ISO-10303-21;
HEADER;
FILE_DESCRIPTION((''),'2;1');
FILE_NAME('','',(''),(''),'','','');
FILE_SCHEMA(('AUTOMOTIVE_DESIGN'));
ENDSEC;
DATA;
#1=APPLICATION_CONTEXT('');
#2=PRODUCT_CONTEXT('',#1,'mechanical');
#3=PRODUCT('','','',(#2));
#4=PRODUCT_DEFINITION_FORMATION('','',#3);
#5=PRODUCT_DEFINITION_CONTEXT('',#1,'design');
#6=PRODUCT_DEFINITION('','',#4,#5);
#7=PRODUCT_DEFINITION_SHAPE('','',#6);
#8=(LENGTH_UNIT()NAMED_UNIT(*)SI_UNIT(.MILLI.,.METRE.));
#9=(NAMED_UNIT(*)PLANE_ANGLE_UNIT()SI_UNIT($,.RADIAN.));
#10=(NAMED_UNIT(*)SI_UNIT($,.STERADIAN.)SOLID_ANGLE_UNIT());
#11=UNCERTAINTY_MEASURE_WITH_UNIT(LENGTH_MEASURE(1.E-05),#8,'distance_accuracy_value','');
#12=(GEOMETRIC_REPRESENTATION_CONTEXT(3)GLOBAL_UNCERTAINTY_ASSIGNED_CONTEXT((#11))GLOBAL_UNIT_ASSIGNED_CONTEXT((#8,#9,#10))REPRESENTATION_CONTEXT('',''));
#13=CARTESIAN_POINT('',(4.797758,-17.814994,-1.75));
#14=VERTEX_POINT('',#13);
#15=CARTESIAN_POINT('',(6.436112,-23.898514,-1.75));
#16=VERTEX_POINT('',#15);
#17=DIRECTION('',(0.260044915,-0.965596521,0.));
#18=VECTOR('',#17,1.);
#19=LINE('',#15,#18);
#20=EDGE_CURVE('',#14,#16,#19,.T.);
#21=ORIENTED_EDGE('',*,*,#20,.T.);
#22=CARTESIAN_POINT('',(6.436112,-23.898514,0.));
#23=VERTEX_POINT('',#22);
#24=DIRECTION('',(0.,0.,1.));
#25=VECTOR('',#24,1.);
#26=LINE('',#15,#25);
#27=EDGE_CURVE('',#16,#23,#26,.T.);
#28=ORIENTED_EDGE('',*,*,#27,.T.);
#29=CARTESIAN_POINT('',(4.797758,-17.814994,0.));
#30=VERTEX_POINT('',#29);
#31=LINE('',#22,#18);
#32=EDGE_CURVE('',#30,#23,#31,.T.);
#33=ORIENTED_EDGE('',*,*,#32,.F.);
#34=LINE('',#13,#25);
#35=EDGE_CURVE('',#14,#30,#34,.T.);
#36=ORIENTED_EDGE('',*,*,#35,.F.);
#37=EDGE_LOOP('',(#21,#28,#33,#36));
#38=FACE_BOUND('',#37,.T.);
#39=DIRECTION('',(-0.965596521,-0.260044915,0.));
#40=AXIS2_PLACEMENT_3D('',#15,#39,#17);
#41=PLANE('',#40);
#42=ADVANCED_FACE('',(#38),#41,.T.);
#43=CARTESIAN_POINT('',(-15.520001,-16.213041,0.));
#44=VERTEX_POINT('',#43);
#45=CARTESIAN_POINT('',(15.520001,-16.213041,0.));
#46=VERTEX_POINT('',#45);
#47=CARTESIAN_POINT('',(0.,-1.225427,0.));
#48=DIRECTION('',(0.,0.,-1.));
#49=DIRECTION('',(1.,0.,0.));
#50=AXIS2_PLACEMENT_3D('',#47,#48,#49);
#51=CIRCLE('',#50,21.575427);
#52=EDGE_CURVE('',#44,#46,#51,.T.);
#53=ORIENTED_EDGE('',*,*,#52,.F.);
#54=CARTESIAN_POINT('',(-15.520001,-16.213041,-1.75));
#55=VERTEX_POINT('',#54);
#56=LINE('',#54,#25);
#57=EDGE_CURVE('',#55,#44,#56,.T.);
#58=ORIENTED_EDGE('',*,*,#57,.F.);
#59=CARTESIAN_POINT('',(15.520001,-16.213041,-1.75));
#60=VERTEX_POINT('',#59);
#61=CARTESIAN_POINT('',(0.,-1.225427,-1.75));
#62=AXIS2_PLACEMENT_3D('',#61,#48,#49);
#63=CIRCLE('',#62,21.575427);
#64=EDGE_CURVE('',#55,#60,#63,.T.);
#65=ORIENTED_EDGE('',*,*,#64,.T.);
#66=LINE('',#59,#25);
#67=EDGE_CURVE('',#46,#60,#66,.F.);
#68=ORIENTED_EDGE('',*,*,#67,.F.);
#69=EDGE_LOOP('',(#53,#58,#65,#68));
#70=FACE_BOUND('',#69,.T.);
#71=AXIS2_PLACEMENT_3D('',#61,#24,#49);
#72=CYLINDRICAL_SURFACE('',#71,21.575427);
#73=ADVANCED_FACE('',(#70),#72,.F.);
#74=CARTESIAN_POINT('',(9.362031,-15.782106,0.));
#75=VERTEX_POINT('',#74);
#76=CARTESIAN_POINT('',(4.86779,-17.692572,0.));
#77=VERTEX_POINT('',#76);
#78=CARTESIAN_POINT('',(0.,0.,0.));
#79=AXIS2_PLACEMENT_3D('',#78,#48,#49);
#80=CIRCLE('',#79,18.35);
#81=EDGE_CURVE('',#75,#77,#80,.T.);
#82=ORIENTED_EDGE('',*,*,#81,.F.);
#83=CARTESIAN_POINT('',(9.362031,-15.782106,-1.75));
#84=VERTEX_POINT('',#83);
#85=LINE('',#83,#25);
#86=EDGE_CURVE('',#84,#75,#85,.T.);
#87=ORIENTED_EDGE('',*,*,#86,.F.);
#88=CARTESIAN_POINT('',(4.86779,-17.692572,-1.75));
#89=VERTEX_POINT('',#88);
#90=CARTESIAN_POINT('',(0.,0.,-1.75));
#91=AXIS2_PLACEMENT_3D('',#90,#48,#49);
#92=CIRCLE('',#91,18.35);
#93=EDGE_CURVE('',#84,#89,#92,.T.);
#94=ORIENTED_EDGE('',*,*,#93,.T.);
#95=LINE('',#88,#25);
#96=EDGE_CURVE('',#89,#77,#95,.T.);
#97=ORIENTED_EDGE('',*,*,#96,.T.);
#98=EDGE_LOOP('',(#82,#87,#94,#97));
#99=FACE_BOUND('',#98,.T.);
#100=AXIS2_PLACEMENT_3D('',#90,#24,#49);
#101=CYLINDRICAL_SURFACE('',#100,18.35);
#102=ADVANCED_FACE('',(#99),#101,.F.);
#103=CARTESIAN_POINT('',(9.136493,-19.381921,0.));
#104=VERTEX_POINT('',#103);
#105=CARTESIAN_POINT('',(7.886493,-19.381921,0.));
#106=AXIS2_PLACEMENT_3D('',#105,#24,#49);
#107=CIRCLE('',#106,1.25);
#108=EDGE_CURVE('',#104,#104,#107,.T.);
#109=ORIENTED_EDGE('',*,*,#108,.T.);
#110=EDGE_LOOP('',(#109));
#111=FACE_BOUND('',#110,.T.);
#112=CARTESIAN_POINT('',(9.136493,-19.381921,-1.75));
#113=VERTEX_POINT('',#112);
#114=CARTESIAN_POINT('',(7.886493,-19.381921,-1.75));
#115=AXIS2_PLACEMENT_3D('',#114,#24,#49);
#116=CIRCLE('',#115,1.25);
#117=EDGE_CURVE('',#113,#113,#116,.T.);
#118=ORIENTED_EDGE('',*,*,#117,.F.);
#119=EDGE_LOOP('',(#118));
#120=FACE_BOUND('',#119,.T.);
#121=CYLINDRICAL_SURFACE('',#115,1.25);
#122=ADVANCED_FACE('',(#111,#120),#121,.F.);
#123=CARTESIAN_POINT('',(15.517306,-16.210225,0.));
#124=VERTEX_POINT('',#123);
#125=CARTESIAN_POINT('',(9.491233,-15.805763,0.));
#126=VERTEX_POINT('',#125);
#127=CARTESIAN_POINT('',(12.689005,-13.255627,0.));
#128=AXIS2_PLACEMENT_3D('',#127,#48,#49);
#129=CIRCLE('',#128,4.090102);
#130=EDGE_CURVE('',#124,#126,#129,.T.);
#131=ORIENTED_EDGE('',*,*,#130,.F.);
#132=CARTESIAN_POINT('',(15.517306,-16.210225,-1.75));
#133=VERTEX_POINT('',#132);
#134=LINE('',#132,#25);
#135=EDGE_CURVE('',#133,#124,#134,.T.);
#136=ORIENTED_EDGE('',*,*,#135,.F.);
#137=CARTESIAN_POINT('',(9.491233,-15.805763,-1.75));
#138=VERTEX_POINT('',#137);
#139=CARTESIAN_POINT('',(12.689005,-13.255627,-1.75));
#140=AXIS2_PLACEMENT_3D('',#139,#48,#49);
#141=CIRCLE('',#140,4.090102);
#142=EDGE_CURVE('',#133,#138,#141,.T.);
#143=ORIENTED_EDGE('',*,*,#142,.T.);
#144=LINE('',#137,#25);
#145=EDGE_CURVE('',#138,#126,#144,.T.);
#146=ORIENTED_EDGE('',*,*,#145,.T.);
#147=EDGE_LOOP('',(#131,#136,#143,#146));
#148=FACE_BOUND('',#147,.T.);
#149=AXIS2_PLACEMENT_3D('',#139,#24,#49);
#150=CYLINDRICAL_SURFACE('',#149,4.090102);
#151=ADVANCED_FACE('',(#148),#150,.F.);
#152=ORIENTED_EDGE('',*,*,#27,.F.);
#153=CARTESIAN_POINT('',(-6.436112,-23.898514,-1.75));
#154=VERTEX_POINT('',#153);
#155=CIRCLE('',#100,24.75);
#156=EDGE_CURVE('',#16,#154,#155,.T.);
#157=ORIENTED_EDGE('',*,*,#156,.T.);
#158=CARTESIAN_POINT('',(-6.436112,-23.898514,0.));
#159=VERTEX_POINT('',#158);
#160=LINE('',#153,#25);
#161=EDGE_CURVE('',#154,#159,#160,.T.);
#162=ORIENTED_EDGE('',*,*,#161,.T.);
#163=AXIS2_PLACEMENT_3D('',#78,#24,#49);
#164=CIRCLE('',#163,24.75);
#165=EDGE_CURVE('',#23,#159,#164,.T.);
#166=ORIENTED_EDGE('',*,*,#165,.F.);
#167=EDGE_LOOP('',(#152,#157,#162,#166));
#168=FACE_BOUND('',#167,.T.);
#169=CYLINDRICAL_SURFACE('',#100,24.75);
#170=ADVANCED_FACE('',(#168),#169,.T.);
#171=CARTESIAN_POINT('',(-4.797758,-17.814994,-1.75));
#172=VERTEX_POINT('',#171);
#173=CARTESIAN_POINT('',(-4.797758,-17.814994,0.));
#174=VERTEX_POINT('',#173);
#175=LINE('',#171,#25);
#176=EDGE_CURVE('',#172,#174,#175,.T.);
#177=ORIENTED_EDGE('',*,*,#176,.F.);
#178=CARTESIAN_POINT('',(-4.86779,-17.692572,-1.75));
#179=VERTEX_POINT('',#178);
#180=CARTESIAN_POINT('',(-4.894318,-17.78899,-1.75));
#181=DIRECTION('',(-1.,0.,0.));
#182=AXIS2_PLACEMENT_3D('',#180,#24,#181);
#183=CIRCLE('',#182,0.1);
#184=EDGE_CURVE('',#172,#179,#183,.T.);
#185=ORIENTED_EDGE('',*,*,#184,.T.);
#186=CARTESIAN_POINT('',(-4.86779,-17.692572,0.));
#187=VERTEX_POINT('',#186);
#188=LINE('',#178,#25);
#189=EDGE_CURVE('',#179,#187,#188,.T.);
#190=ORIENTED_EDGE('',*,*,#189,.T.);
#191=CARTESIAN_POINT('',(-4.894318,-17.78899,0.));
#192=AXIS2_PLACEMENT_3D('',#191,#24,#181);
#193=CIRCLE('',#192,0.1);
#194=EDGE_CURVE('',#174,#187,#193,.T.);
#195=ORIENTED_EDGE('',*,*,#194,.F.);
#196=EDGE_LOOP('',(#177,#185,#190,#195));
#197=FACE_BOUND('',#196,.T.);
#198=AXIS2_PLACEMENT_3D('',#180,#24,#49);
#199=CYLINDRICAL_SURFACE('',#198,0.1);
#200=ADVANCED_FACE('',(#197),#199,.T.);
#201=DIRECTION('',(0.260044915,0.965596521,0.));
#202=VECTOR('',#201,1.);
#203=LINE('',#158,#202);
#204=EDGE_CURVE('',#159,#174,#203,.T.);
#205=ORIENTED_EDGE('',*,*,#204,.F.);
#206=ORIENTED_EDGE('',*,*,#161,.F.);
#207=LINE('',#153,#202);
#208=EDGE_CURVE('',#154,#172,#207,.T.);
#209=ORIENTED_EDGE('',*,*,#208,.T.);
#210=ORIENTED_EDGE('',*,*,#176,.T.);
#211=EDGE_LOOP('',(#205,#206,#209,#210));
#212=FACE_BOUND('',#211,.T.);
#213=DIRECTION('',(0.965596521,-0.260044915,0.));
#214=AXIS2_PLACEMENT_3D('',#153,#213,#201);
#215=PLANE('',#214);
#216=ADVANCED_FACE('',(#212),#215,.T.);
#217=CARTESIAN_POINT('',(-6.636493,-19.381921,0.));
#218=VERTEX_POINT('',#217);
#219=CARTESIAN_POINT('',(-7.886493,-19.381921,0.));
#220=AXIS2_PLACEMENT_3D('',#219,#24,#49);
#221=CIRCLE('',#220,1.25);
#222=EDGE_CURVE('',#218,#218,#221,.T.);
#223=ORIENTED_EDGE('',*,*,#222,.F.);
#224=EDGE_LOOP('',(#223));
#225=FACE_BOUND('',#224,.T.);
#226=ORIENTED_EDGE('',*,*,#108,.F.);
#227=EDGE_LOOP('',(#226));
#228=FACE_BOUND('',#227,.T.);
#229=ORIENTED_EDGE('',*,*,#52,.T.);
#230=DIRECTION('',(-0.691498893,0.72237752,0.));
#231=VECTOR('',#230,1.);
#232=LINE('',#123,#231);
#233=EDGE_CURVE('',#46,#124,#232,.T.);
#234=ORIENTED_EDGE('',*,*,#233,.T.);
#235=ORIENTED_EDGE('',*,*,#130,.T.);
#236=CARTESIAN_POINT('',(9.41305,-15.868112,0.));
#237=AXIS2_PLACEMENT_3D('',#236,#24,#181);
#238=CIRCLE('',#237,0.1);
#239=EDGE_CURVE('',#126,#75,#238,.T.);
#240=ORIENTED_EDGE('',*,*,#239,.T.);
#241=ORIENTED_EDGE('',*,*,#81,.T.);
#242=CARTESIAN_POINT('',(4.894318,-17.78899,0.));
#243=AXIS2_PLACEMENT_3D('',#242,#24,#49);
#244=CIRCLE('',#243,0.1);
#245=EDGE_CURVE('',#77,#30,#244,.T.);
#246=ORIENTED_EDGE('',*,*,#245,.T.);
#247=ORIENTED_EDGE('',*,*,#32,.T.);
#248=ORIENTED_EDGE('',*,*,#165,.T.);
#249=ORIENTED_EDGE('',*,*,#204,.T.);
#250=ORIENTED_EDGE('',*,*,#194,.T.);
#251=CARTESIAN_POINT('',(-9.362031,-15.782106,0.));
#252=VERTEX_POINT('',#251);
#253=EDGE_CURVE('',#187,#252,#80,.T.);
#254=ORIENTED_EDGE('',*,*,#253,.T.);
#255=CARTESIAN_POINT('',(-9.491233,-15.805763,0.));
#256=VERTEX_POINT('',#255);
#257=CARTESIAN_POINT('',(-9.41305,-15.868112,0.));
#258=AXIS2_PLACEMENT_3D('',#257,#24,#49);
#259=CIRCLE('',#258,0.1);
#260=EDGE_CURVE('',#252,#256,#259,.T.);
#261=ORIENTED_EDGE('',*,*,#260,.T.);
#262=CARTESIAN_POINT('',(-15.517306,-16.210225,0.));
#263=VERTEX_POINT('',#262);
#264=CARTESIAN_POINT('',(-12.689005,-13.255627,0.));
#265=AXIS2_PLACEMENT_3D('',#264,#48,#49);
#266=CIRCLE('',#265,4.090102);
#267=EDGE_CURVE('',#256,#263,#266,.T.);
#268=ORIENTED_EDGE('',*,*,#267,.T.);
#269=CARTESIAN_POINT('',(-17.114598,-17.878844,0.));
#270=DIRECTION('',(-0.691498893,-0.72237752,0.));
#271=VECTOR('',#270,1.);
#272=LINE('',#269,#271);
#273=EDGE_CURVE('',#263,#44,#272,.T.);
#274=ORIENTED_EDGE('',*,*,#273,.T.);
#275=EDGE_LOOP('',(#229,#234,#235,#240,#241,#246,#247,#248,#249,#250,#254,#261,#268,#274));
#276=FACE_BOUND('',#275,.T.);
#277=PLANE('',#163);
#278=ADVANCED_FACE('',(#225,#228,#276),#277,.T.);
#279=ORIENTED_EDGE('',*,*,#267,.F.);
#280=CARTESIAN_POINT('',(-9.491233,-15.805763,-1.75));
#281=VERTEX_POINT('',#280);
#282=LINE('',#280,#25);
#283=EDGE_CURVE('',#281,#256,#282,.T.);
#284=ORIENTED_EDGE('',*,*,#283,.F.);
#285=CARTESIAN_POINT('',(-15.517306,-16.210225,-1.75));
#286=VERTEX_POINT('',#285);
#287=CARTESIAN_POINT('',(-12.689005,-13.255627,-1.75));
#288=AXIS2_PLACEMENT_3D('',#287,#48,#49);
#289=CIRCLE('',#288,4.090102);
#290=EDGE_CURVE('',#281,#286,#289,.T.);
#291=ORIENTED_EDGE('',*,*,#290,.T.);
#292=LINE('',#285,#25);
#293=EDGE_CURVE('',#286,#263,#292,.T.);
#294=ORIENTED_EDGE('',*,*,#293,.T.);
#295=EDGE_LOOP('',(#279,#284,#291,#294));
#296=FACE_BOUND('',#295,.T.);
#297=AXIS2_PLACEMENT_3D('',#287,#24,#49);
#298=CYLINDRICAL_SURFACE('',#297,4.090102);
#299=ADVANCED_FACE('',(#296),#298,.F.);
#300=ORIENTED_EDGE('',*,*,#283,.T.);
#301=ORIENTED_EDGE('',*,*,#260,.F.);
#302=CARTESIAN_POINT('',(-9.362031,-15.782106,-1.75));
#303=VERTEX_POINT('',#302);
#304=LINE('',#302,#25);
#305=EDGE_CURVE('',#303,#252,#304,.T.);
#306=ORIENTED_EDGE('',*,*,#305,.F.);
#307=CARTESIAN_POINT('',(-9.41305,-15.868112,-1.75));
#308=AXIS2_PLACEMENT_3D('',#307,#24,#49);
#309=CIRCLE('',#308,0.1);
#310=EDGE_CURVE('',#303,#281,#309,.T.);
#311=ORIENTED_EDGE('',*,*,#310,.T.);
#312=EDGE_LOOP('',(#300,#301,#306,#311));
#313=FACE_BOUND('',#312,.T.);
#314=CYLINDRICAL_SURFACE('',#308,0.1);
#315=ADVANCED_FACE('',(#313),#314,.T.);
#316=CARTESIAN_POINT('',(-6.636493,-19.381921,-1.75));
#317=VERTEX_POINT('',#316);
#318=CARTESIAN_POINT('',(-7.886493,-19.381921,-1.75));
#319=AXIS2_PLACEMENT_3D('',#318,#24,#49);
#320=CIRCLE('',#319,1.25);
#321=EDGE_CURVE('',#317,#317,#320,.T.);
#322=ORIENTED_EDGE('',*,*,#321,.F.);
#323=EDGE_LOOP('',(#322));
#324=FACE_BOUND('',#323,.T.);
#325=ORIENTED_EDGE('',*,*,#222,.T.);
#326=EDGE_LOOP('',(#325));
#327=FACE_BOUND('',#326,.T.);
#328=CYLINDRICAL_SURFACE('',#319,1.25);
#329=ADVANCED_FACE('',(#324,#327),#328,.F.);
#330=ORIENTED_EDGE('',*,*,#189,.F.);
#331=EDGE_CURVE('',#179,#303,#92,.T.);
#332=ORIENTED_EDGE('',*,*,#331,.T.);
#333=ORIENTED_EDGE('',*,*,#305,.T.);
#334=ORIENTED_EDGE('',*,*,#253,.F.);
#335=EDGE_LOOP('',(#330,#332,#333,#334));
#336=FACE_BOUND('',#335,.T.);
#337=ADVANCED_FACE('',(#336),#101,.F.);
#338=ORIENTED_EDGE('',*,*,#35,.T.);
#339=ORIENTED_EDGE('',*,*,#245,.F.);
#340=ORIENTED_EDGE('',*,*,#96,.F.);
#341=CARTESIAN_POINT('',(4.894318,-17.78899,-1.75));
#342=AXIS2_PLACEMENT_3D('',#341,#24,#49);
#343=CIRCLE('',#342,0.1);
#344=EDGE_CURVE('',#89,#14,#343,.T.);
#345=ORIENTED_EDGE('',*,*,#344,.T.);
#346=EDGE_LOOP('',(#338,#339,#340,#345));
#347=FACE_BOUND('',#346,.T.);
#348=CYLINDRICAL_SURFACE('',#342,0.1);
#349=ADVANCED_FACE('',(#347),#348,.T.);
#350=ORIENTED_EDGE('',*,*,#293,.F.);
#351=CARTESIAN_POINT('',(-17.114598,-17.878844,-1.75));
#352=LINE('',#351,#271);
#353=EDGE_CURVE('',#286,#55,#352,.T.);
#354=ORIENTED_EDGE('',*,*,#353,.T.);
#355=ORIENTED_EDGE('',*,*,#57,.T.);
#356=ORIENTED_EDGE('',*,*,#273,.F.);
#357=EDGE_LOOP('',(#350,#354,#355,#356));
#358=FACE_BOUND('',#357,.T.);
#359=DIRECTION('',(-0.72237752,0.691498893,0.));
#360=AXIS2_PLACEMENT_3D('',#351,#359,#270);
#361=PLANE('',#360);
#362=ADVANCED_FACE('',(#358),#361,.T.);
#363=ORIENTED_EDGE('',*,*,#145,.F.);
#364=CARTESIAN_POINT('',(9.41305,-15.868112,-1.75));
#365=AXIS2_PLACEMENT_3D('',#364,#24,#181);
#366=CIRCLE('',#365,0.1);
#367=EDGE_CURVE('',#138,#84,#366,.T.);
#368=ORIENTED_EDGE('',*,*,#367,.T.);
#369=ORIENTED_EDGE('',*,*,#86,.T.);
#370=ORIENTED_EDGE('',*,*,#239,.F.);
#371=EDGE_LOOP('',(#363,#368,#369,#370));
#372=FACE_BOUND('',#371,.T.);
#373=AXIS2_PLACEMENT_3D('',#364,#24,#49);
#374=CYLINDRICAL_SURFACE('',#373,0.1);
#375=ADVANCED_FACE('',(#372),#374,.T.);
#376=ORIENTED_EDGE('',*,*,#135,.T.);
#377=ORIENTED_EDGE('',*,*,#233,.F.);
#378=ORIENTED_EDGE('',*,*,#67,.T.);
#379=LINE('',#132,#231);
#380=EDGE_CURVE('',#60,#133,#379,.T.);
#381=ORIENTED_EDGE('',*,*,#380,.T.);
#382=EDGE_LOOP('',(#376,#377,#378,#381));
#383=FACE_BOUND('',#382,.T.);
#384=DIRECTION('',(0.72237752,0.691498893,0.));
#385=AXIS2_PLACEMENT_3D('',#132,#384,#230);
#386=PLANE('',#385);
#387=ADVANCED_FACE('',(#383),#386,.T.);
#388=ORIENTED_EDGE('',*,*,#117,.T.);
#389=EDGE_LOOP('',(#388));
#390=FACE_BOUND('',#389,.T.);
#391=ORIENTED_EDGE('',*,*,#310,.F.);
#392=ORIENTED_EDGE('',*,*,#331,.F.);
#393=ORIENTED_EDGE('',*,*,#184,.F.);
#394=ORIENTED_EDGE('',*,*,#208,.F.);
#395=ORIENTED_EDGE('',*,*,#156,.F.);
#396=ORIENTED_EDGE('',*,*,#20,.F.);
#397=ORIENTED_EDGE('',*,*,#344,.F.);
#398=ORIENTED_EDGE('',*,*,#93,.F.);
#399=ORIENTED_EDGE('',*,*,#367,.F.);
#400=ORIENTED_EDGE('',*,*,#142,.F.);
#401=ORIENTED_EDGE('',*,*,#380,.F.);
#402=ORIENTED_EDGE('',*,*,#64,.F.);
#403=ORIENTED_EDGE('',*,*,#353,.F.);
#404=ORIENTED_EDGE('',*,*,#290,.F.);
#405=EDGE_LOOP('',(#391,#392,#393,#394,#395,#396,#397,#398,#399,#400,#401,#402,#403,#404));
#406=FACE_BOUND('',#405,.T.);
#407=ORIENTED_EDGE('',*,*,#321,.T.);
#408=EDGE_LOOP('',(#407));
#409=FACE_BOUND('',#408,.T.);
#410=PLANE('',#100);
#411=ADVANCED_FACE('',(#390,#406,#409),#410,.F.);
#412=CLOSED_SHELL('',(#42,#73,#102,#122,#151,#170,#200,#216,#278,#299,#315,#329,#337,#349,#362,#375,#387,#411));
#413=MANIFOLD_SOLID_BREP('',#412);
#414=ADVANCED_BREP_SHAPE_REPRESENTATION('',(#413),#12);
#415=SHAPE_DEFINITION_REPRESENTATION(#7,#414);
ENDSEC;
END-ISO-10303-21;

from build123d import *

# Parameters (mm, degrees)
BODYSKE_R    = 1.25
BODY_DEPTH   = 1.75
MODLUGSKE_R  = 1.25
MODLUG_DEPTH = 1.75


with BuildPart() as part:
    # BodySke → Body (new body)
    with BuildSketch(Plane.XY):
        with BuildLine():
            Line((6.436111652, -23.898513904), (5.400081715, -20.051536536))
            ThreePointArc((5.400081715, -20.051536536), (6.699668105, -17.096735495), (9.864304114, -17.733016019))
            ThreePointArc((9.864304114, -17.733016019), (11.581275555, -18.645865936), (13.446997724, -18.097808741))
            ThreePointArc((13.446997724, -18.097808741), (0, 20.35), (-13.446997724, -18.097808741))
            ThreePointArc((-13.446997724, -18.097808741), (-11.581275555, -18.645865936), (-9.864304114, -17.733016019))
            ThreePointArc((-9.864304114, -17.733016019), (-6.699668105, -17.096735495), (-5.400081715, -20.051536536))
            Line((-5.400081715, -20.051536536), (-6.436111652, -23.898513904))
            ThreePointArc((-6.436111652, -23.898513904), (0, 24.75), (6.436111652, -23.898513904))
        make_face()
        with Locations((7.886492758, -19.38192088)):
            Circle(BODYSKE_R, mode=Mode.SUBTRACT)
        with Locations((-7.886492758, -19.38192088)):
            Circle(BODYSKE_R, mode=Mode.SUBTRACT)
    extrude(amount=-BODY_DEPTH)

    # ModLugSke → ModLug (add, through all)
    # profile 1 of 2: a face of its own
    with BuildSketch(Plane.XY):
        with BuildLine():
            Line((6.436111652, -23.898513904), (4.797758213, -17.814994138))
            ThreePointArc((4.797758213, -17.814994138), (4.807517042, -17.739334665), (4.867790397, -17.692572358))
            ThreePointArc((4.867790397, -17.692572358), (7.17874809, -16.887512424), (9.362030953, -15.78210621))
            ThreePointArc((9.362030953, -15.78210621), (9.431060859, -15.76974753), (9.491233364, -15.805763285))
            ThreePointArc((9.491233364, -15.805763285), (12.415098782, -17.336547673), (15.517305658, -16.210225194))
            Line((15.517305658, -16.210225194), (17.114597599, -17.878843615))
            ThreePointArc((17.114597599, -17.878843615), (12.153932868, -21.56025083), (6.436111652, -23.898513904))
        make_face()
        with Locations((7.886492758, -19.38192088)):
            Circle(MODLUGSKE_R, mode=Mode.SUBTRACT)
    # profile 2 of 2: a face of its own
    with BuildSketch(Plane.XY):
        with BuildLine():
            Line((-6.436111652, -23.898513904), (-4.797758213, -17.814994138))
            ThreePointArc((-4.797758213, -17.814994138), (-4.807517042, -17.739334665), (-4.867790397, -17.692572358))
            ThreePointArc((-4.867790397, -17.692572358), (-7.17874809, -16.887512424), (-9.362030953, -15.78210621))
            ThreePointArc((-9.362030953, -15.78210621), (-9.431060859, -15.76974753), (-9.491233364, -15.805763285))
            ThreePointArc((-9.491233364, -15.805763285), (-12.415098782, -17.336547673), (-15.517305658, -16.210225194))
            Line((-15.517305658, -16.210225194), (-17.114597599, -17.878843615))
            ThreePointArc((-17.114597599, -17.878843615), (-12.153932868, -21.56025083), (-6.436111652, -23.898513904))
        make_face()
        with Locations((-7.886492758, -19.38192088)):
            Circle(MODLUGSKE_R, mode=Mode.SUBTRACT)
    extrude(amount=-MODLUG_DEPTH)


solid = part.part
